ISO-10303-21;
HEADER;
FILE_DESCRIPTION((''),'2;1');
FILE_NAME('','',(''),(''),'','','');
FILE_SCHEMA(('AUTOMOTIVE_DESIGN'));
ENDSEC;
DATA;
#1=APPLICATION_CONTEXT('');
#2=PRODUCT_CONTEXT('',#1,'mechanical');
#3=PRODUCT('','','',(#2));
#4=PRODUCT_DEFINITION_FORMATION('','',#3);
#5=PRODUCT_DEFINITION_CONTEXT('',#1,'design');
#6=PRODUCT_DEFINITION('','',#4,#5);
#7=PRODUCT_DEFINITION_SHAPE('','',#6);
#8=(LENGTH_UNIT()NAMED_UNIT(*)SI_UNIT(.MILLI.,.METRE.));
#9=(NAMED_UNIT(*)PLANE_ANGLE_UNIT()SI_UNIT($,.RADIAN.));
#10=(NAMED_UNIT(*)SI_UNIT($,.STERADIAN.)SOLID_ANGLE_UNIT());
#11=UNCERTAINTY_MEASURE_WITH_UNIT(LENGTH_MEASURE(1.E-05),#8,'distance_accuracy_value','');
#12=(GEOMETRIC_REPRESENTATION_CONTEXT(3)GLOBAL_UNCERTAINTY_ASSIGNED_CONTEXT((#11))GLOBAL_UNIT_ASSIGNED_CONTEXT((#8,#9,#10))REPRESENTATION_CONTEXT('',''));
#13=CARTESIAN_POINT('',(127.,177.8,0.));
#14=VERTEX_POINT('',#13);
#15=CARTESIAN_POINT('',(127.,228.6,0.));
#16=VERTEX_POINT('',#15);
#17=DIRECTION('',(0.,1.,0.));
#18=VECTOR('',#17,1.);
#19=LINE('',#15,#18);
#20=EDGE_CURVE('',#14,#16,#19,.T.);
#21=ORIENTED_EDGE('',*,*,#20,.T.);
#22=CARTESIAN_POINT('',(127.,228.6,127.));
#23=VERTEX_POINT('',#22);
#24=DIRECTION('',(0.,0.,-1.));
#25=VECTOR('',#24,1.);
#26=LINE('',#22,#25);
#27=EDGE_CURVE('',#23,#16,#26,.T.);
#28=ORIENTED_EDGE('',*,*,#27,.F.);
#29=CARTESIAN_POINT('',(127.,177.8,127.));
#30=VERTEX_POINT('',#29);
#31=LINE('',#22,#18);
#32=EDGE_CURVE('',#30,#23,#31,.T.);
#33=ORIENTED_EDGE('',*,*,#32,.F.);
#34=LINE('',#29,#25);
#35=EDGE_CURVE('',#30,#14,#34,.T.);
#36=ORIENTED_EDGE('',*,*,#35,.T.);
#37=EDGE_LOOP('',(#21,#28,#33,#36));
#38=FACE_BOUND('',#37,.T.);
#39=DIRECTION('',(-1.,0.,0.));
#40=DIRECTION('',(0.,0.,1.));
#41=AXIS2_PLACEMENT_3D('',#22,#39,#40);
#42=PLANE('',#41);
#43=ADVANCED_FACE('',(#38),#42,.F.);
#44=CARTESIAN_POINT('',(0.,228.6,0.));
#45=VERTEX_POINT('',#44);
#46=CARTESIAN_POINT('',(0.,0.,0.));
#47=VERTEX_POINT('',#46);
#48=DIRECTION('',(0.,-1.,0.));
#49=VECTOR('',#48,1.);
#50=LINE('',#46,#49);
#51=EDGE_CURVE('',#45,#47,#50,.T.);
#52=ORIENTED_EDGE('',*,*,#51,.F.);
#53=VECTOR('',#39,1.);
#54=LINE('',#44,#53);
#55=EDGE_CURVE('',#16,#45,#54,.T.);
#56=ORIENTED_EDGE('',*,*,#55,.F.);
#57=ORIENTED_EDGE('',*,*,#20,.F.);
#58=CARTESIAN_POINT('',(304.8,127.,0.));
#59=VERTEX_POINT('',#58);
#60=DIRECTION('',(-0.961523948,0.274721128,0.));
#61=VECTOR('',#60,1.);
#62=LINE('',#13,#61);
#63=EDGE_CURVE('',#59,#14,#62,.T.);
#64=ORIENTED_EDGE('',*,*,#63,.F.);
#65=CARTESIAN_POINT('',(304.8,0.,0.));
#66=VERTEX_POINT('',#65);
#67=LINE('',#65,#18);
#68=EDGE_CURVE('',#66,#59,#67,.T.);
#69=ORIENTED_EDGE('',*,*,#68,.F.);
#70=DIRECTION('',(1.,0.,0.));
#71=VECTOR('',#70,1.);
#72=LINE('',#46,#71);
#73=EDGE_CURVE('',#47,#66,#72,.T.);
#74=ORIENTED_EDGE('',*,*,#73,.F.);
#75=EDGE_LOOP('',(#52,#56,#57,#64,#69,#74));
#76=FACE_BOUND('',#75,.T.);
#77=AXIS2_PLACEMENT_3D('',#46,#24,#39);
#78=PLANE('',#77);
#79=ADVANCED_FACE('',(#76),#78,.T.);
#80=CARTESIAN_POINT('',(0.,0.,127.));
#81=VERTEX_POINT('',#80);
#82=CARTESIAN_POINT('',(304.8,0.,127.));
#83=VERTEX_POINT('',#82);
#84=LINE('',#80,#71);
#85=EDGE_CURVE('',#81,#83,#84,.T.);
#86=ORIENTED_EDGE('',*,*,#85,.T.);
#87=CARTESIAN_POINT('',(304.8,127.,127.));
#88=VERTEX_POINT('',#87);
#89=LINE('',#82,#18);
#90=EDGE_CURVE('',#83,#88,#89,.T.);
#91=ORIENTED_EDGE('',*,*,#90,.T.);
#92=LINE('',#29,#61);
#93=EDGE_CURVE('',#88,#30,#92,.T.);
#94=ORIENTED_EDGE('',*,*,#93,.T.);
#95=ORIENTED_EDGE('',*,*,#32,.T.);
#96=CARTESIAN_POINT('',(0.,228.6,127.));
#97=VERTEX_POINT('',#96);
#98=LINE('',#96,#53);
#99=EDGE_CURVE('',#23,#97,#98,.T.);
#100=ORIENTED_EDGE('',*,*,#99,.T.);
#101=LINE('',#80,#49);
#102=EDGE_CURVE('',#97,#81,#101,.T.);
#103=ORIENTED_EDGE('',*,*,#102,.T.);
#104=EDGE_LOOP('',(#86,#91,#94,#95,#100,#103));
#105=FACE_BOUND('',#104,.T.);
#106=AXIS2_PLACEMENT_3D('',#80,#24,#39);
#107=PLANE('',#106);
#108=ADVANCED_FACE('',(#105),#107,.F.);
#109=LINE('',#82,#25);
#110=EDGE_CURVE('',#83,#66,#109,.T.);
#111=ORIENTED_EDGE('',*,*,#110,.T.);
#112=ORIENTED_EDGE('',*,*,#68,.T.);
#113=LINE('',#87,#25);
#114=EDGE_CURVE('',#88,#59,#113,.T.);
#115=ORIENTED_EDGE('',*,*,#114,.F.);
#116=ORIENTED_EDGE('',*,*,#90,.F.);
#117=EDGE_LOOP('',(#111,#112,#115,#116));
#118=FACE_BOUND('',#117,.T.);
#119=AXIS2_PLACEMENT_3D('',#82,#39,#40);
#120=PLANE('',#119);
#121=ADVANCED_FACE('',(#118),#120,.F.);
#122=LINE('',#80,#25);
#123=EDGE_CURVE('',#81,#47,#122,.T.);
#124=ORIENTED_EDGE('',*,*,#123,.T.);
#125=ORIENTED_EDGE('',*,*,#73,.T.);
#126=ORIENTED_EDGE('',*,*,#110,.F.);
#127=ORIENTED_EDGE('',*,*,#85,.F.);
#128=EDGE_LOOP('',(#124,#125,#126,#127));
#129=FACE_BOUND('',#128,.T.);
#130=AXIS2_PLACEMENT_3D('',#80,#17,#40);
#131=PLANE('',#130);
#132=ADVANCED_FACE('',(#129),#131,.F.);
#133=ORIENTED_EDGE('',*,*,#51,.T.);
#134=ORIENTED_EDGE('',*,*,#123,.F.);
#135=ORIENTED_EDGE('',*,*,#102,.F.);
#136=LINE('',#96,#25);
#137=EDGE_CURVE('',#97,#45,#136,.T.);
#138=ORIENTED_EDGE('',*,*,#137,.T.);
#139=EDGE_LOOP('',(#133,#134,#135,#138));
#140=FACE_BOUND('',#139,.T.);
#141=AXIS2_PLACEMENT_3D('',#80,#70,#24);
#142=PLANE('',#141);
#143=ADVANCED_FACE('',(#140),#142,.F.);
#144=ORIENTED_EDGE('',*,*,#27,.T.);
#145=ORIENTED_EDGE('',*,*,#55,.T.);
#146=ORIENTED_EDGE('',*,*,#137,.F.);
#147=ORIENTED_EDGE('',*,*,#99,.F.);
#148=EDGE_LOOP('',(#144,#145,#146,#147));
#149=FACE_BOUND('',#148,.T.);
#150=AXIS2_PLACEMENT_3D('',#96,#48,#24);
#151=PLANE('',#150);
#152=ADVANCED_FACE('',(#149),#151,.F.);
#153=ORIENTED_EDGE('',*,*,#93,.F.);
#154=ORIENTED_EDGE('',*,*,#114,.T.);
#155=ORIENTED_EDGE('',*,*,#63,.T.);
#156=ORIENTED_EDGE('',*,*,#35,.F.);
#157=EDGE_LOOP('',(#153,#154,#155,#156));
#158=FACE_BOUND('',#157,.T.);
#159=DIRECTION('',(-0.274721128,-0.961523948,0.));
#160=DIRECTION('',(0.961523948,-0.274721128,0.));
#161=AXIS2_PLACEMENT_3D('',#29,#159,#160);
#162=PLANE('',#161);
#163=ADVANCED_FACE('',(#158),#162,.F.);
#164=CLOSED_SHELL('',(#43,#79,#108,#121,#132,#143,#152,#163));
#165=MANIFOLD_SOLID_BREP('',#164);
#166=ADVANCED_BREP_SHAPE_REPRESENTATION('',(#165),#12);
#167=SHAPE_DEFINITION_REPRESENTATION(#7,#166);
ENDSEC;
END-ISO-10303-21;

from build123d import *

# Parameters (mm, degrees)
BOSS_EXTRUDE1_DEPTH = 127


with BuildPart() as part:
    # Sketch1 → Boss-Extrude1 (new body)
    with BuildSketch(Plane.XY):
        Polygon((127, 228.6), (127, 177.8), (304.8, 127), (304.8, 0), (0, 0), (0, 228.6), align=None)
    extrude(amount=BOSS_EXTRUDE1_DEPTH)


solid = part.part
